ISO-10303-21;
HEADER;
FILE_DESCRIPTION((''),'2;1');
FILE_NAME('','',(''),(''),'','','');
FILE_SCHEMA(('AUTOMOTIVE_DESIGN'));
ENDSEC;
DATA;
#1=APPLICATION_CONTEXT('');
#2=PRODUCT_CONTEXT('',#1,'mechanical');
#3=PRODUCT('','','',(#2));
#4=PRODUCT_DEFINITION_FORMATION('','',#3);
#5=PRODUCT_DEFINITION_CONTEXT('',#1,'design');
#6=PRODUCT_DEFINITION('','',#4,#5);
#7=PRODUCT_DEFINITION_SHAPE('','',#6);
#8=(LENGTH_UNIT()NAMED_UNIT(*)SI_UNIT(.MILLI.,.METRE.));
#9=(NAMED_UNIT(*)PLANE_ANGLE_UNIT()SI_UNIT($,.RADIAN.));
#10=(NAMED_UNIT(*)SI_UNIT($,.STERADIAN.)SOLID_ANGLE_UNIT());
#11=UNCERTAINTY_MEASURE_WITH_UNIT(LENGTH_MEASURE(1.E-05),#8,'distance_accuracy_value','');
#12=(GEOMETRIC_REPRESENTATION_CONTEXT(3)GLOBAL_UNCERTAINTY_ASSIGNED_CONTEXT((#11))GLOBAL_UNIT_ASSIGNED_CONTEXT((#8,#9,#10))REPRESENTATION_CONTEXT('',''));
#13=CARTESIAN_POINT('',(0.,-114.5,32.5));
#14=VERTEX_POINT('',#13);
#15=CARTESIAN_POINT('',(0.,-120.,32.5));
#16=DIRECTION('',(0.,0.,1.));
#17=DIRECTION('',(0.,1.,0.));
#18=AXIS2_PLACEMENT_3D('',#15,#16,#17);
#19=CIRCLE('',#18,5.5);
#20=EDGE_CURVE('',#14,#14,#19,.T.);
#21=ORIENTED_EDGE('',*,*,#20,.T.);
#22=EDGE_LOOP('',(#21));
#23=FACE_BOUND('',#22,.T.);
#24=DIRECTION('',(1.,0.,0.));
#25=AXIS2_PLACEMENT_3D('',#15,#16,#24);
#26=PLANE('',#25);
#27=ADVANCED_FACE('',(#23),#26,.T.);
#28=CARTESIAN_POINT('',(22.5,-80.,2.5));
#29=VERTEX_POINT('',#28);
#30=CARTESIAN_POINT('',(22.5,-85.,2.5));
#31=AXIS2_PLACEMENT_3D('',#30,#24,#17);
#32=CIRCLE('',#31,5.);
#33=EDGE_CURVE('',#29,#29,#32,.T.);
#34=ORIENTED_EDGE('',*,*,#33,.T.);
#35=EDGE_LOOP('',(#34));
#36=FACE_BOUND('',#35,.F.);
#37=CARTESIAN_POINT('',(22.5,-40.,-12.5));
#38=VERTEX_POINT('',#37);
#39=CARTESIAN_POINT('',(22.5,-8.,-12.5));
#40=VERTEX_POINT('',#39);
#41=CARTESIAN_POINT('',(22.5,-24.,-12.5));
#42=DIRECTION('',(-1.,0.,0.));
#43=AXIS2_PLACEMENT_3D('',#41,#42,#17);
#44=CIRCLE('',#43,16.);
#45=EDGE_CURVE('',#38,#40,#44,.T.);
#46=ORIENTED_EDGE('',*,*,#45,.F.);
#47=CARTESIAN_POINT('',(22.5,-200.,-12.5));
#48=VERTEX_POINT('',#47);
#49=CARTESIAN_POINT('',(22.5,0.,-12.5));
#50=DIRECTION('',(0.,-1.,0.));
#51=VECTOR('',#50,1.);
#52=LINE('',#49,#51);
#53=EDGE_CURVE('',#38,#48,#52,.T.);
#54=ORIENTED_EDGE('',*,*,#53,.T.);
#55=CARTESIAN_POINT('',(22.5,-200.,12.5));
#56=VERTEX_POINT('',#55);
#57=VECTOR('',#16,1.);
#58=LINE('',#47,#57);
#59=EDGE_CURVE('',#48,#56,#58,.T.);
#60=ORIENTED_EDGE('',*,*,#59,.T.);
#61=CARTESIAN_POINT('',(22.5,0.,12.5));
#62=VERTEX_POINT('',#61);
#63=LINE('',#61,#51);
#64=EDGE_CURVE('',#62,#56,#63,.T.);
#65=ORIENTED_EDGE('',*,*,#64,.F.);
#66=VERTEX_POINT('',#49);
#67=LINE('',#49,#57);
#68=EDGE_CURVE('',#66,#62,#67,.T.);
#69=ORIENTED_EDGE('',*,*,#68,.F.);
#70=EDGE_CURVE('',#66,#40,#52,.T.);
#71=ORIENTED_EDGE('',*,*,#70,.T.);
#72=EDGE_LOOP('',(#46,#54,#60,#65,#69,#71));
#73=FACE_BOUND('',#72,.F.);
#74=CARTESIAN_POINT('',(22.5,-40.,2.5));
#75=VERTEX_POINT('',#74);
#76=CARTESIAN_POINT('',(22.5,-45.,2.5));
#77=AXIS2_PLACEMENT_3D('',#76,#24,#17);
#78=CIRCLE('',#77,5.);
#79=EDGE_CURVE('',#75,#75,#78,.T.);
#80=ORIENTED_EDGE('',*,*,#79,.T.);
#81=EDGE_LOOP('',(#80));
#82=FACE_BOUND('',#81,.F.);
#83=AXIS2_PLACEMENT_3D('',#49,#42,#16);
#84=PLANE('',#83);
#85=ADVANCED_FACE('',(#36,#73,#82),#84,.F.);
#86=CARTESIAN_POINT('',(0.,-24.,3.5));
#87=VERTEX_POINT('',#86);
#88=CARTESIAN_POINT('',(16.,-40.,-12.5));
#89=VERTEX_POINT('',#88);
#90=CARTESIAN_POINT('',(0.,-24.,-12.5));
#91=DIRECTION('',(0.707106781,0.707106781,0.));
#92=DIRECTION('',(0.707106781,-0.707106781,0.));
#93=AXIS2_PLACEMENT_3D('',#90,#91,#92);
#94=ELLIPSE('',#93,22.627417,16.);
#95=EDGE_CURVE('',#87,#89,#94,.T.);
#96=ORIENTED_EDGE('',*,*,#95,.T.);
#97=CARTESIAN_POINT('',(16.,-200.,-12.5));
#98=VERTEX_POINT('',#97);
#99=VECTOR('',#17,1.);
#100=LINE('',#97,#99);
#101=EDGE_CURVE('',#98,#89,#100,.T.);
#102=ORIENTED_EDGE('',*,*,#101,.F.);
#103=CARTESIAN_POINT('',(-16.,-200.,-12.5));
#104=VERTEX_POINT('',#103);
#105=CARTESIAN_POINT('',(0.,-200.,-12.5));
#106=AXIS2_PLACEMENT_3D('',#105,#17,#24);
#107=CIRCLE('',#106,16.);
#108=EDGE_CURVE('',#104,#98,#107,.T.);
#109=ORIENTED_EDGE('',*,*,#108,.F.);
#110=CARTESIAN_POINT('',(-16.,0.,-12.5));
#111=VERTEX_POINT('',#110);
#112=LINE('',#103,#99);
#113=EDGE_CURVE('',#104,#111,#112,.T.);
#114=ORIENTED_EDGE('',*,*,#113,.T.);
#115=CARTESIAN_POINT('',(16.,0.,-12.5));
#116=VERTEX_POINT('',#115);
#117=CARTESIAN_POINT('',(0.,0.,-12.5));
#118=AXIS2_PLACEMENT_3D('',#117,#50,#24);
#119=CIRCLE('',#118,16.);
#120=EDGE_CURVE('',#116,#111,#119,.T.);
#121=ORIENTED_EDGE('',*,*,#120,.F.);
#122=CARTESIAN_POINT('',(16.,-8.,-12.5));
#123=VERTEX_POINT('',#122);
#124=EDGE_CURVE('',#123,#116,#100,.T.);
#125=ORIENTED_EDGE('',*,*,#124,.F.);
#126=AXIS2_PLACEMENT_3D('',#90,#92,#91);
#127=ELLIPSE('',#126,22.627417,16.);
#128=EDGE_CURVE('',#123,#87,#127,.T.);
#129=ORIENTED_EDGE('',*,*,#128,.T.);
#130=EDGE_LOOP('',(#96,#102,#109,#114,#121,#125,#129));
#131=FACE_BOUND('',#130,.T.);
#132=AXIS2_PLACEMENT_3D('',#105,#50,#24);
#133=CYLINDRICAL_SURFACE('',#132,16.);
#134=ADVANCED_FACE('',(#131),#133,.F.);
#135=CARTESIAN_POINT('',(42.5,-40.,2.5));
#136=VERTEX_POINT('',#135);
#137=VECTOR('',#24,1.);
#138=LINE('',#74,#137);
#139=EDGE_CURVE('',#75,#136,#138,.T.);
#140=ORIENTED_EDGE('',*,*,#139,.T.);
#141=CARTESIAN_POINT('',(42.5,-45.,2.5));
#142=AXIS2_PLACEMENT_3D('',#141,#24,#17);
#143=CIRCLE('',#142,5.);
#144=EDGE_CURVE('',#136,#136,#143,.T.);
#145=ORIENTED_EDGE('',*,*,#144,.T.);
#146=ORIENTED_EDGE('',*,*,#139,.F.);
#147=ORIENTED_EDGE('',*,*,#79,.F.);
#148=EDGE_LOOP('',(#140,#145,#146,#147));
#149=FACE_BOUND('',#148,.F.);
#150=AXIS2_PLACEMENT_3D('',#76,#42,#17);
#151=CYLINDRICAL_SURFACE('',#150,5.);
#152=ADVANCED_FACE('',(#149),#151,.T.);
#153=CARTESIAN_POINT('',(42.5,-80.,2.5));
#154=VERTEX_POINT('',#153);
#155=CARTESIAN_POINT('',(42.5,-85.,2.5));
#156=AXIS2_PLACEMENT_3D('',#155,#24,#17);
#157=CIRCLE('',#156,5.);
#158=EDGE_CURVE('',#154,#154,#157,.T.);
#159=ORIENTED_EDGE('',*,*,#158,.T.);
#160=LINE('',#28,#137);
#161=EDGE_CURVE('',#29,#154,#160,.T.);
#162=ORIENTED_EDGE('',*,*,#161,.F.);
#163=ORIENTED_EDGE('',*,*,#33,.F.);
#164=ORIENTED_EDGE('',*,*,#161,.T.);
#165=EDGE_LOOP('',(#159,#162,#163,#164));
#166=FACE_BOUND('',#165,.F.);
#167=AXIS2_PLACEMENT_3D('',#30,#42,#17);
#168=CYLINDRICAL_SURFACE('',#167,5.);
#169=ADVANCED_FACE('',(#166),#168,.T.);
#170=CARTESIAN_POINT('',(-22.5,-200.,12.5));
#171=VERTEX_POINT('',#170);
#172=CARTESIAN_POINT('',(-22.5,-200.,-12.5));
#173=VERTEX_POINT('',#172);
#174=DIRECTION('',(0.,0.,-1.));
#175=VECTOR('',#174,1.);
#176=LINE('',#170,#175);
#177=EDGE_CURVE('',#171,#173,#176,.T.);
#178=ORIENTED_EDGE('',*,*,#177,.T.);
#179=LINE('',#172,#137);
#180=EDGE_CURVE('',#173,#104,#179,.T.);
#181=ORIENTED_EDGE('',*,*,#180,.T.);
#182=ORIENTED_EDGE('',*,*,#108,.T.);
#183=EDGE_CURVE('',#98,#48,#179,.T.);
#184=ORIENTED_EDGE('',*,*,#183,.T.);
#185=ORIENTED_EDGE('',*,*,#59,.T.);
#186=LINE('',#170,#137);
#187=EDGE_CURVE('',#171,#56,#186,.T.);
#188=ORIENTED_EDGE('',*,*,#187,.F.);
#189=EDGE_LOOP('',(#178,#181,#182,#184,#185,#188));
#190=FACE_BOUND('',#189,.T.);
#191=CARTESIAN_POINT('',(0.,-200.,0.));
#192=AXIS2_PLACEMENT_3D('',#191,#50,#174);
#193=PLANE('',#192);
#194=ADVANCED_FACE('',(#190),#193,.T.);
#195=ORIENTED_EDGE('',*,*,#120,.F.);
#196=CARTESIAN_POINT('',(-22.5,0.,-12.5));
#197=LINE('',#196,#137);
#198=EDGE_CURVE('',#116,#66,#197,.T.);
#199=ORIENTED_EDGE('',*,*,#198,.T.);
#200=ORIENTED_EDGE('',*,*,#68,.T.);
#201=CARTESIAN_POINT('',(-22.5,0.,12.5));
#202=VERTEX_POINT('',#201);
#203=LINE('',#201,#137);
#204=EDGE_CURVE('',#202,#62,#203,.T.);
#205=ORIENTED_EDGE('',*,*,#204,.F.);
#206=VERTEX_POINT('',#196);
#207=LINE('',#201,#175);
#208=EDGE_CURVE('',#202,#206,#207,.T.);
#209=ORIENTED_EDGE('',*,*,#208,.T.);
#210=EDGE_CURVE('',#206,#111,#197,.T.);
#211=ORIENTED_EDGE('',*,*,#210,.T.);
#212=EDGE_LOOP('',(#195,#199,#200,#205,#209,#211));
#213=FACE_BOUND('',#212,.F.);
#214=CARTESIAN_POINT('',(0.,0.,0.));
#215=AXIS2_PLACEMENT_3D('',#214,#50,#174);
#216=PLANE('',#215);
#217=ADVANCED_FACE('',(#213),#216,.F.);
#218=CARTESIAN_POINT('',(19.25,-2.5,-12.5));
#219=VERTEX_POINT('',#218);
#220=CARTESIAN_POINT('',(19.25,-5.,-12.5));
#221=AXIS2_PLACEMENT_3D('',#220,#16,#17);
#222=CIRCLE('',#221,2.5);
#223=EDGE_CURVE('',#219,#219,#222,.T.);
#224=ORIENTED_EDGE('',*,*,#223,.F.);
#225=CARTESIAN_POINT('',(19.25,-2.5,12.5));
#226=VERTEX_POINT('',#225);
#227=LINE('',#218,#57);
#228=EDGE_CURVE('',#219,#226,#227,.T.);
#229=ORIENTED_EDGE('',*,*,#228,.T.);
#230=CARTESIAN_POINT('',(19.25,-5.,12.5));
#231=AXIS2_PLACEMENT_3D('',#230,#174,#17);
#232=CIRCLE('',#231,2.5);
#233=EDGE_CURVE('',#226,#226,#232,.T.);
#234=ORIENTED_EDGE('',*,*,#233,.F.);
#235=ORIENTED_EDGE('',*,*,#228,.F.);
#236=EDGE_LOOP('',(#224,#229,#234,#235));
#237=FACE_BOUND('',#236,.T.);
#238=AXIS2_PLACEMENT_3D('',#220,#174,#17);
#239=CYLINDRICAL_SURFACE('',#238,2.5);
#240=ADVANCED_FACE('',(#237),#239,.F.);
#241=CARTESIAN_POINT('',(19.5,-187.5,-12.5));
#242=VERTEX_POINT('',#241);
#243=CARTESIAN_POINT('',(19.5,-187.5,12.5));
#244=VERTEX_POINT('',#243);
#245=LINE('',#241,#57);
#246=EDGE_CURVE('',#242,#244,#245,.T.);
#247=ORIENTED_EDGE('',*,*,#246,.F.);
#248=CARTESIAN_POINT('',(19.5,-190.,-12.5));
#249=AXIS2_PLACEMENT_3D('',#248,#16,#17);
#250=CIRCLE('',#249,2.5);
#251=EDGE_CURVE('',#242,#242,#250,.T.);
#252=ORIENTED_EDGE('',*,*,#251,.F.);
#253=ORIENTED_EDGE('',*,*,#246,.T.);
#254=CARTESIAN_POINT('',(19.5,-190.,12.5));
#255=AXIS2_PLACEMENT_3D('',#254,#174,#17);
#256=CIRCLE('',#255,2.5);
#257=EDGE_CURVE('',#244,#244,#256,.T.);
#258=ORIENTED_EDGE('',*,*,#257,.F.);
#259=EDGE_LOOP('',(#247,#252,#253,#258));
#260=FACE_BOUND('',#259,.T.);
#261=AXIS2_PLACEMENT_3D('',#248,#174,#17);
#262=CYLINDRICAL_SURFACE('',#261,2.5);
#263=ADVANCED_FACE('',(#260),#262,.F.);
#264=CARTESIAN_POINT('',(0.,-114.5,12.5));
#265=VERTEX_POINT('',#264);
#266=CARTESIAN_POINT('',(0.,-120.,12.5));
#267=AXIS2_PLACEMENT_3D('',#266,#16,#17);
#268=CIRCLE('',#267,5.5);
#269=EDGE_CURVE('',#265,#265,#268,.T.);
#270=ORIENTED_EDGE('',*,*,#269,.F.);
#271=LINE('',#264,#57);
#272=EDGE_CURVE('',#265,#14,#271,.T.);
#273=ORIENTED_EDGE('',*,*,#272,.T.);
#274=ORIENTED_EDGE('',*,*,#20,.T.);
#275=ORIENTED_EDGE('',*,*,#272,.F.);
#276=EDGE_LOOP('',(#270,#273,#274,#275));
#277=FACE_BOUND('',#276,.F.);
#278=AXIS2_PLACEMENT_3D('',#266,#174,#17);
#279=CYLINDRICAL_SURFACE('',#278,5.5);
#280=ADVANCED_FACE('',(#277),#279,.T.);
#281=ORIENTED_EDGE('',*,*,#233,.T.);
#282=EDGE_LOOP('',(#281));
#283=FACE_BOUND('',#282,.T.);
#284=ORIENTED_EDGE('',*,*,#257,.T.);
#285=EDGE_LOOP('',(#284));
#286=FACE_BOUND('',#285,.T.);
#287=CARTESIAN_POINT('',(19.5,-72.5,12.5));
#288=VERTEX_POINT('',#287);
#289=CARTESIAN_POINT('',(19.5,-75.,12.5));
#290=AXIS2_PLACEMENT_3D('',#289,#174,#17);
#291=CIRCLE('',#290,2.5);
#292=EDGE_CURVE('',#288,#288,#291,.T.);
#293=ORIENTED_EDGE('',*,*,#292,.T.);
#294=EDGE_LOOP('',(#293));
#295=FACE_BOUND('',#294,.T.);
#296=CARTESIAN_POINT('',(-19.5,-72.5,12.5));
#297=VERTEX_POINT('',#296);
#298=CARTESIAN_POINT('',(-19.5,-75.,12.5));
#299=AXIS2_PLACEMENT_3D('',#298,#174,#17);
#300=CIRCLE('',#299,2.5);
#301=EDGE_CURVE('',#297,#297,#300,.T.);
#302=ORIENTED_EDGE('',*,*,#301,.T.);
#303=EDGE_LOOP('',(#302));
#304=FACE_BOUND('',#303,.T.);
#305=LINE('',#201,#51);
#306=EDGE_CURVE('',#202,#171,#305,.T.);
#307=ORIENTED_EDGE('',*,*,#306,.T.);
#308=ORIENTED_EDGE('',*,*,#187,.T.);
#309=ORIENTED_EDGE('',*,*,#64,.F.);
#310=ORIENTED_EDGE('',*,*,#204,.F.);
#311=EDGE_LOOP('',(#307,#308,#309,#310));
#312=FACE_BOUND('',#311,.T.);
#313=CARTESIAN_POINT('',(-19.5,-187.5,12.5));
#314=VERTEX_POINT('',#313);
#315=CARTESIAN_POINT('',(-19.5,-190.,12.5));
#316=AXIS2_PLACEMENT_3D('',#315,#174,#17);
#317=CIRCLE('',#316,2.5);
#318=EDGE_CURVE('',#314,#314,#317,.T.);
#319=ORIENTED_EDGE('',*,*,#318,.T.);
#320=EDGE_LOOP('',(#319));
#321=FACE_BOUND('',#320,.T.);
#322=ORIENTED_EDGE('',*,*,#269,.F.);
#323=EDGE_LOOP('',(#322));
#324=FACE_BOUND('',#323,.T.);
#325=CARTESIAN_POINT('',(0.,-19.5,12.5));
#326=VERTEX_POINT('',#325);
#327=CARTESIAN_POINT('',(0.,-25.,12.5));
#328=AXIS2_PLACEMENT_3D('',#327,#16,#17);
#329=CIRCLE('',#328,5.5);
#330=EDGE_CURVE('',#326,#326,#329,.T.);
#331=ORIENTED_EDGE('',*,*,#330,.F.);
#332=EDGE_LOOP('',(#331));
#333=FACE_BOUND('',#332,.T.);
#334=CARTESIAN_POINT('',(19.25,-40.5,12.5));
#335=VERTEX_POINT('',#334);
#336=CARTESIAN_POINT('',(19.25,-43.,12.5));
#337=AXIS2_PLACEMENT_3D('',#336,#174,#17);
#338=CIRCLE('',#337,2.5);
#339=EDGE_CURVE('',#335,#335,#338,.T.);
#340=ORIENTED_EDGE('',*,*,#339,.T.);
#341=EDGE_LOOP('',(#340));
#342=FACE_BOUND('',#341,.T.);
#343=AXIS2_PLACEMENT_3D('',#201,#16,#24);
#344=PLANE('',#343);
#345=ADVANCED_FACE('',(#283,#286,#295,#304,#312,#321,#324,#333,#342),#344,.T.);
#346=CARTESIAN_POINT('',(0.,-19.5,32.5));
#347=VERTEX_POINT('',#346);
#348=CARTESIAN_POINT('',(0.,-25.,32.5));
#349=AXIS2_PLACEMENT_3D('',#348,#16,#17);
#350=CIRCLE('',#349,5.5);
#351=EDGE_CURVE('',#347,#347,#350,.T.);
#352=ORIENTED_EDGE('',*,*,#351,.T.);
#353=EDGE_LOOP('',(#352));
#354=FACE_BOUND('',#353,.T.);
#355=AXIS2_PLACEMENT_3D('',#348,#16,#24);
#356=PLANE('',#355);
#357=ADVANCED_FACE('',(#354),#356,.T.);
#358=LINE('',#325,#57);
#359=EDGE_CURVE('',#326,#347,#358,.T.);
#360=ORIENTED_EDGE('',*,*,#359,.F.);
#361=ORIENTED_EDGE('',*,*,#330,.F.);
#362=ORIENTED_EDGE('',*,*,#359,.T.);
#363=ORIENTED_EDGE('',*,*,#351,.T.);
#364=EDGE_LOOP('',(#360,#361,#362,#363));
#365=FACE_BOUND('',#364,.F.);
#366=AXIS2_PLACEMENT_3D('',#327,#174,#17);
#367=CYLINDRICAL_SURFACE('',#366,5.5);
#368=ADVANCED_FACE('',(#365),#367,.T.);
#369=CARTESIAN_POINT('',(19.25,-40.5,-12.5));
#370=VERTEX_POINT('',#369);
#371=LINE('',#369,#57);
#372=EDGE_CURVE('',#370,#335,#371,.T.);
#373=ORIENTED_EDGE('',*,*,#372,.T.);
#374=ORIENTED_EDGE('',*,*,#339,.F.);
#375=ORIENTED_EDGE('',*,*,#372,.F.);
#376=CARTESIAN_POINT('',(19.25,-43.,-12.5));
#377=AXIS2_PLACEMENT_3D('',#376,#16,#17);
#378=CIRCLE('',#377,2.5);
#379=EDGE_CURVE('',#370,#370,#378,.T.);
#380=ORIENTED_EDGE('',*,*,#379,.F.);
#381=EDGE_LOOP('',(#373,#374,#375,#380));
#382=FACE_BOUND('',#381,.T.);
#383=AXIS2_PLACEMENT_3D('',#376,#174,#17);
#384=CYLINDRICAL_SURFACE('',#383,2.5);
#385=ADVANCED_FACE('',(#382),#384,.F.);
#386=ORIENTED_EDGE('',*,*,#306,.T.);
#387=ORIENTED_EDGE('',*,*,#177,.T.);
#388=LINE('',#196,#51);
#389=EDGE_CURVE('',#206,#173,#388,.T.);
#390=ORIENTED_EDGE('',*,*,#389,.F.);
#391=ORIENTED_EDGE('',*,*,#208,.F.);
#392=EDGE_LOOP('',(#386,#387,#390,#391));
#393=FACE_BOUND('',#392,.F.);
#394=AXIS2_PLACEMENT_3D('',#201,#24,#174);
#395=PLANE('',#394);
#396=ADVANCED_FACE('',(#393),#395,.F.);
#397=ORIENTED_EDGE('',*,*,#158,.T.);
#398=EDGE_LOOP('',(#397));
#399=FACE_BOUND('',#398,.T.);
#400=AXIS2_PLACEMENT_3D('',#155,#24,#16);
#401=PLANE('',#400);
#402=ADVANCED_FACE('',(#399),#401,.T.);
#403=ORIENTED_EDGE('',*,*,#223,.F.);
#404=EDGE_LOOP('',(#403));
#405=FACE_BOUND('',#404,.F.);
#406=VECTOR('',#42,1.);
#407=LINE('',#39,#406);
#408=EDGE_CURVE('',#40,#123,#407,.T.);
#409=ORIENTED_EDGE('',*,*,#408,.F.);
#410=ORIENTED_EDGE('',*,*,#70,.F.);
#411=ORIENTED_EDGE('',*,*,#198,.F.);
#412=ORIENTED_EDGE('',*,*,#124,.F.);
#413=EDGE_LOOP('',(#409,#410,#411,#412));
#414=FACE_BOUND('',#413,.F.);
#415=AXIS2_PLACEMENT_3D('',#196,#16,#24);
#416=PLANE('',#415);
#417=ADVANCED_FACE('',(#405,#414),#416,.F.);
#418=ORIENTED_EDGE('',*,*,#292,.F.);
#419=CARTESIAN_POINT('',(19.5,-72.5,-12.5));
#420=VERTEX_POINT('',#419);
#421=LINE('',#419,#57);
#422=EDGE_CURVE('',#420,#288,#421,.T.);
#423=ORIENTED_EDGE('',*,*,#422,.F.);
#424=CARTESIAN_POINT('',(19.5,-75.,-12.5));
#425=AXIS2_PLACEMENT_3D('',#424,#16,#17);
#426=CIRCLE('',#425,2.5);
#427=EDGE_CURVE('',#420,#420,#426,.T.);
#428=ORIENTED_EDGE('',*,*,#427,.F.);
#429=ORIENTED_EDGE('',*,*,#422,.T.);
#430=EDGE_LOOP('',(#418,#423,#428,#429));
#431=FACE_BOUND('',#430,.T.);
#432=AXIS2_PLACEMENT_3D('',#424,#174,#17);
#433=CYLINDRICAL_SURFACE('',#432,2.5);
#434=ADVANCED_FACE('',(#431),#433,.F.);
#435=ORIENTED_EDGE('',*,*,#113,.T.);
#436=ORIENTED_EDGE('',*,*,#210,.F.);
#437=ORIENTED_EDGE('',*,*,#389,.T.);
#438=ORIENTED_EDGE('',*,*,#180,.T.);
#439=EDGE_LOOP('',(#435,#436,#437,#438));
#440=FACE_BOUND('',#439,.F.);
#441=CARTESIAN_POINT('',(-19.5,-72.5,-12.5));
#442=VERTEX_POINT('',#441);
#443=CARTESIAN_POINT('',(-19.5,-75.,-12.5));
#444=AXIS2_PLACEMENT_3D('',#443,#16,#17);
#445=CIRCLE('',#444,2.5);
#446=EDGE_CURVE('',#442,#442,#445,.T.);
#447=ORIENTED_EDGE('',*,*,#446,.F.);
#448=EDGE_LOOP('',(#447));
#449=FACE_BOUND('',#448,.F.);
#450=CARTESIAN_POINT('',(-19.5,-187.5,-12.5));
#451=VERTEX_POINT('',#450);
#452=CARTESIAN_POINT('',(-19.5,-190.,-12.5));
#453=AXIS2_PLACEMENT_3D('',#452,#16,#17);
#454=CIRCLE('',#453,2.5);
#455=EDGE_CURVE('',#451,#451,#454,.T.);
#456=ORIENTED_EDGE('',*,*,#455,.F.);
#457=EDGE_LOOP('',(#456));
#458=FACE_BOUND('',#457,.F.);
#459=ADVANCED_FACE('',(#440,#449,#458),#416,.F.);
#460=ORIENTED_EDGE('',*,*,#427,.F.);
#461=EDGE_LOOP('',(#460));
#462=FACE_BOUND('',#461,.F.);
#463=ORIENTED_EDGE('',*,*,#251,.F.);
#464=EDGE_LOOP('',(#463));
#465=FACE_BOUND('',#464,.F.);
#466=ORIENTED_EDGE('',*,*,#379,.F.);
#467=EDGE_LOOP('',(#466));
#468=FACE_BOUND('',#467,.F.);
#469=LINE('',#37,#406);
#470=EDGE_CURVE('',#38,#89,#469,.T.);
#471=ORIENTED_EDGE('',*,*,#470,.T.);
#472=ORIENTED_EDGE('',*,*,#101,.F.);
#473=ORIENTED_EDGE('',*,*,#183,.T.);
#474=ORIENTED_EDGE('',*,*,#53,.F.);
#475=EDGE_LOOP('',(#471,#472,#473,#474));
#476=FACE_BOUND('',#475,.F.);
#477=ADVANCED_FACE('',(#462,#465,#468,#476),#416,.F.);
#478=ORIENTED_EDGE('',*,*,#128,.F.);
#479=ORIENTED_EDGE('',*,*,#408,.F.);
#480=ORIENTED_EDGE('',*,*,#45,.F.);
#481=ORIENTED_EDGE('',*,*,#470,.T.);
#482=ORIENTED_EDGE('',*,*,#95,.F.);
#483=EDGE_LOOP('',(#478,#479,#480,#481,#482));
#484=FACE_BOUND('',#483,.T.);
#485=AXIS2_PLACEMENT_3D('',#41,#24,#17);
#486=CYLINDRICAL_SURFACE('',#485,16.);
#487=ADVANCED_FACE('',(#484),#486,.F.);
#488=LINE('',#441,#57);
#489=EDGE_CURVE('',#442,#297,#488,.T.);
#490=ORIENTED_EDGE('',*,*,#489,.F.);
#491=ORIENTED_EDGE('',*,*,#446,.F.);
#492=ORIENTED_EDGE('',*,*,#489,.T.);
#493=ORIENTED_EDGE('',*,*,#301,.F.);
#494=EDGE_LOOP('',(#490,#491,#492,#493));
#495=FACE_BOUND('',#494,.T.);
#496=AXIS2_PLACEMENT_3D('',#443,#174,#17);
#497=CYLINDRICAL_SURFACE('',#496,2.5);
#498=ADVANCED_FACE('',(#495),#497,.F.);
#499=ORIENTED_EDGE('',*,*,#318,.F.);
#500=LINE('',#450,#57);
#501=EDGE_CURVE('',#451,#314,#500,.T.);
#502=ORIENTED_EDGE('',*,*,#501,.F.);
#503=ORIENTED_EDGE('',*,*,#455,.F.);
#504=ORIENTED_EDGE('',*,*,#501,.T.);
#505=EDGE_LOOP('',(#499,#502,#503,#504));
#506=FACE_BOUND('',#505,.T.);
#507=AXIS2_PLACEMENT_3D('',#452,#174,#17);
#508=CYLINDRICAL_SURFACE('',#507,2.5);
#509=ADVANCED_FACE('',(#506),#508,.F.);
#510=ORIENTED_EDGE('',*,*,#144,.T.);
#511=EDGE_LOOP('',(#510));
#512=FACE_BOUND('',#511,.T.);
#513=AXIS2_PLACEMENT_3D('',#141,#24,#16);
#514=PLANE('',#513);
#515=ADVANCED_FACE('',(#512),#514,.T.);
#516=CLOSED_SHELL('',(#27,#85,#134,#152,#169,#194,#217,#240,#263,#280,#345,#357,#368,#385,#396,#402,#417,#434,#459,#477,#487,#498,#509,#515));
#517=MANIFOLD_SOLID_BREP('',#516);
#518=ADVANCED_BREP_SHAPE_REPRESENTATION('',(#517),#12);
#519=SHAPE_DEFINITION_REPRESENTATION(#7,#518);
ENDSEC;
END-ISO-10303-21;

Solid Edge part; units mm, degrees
sketch "Sketch1" plane through (0, 0, 0) normal (0, -1, 0) x (1, 0, 0)
  line L0 (-22.5, -12.5) -> (22.5, -12.5)
  line L1 (22.5, -12.5) -> (22.5, 12.5)
  line L2 (-22.5, 12.5) -> (22.5, 12.5)
  line L3 (-22.5, 12.5) -> (-22.5, -12.5)
  dimension "D1" = 25
  dimension "D2" = 45
extrude "Protrusion1" add sketch "Sketch1" along normal blind 200
sketch "Sketch2" plane through (0, -200, 0) normal (0, -1, 0) x (1, 0, 0)
  line L0 (-16, -12.5) -> (16, -12.5)
  arc A0 (-16, -12.5) -> (16, -12.5) centre (0, -12.5) cw
  dimension "D1" = 32
extrude "Cutout1" cut sketch "Sketch2" against normal up to next
hole "Hole_1" at (19.5, -75, -12.5) direction (0, 0, 1) diameter 5 end up to next
hole "Hole1" at (19.5, -190, -12.5) direction (0, 0, 1) diameter 5 end up to next
hole "Hole2" at (-19.5, -190, -12.5) direction (0, 0, 1) diameter 5 end up to next
hole "Hole3" at (-19.5, -75, -12.5) direction (0, 0, 1) diameter 5 end up to next
sketch "Sketch3" plane through (22.5, -75, 0) normal (1, 0, 0) x (0, 1, 0)
  line L0 (67, -12.5) -> (35, -12.5)
  arc A0 (35, -12.5) -> (67, -12.5) centre (51, -12.5) cw
  dimension "D1" = 32
  dimension "D2" = 16
  dimension "D3" = 40
extrude "Cutout2" cut sketch "Sketch3" against normal up to next
hole "Hole_5" at (19.25, -5, -12.5) direction (0, 0, 1) diameter 5 end up to next
hole "Hole4" at (19.25, -43, -12.5) direction (0, 0, 1) diameter 5 end up to next
sketch "Sketch4" plane through (0, -100, 12.5) normal (0, 0, 1) x (0, 1, 0)
  circle A0 centre (-20, 0) radius 5.5
  circle A1 centre (75, 0) radius 5.5
  dimension "D1" = 11
  dimension "D2" = 95
  dimension "D3" = 25
  dimension "D4" = 22.5
extrude "ExtrudedProtrusion_2" add sketch "Sketch4" along normal blind 20
cosmetic_thread "Thread1" size "Tr 11 x 3"
cosmetic_thread "Thread2" size "Tr 11 x 3"
sketch "Sketch5" plane through (22.5, -100, 0) normal (1, 0, 0) x (0, 1, 0)
  circle A0 centre (15, 2.5) radius 5
  circle A1 centre (55, 2.5) radius 5
  dimension "D1" = 40
  dimension "D2" = 10
  dimension "D3" = 10
  dimension "D4" = 10
  dimension "D5" = 45
extrude "ExtrudedProtrusion_3" add sketch "Sketch5" along normal blind 20
cosmetic_thread "Thread3" size "Tr 10 x 2"
cosmetic_thread "Thread4" size "Tr 10 x 2"
